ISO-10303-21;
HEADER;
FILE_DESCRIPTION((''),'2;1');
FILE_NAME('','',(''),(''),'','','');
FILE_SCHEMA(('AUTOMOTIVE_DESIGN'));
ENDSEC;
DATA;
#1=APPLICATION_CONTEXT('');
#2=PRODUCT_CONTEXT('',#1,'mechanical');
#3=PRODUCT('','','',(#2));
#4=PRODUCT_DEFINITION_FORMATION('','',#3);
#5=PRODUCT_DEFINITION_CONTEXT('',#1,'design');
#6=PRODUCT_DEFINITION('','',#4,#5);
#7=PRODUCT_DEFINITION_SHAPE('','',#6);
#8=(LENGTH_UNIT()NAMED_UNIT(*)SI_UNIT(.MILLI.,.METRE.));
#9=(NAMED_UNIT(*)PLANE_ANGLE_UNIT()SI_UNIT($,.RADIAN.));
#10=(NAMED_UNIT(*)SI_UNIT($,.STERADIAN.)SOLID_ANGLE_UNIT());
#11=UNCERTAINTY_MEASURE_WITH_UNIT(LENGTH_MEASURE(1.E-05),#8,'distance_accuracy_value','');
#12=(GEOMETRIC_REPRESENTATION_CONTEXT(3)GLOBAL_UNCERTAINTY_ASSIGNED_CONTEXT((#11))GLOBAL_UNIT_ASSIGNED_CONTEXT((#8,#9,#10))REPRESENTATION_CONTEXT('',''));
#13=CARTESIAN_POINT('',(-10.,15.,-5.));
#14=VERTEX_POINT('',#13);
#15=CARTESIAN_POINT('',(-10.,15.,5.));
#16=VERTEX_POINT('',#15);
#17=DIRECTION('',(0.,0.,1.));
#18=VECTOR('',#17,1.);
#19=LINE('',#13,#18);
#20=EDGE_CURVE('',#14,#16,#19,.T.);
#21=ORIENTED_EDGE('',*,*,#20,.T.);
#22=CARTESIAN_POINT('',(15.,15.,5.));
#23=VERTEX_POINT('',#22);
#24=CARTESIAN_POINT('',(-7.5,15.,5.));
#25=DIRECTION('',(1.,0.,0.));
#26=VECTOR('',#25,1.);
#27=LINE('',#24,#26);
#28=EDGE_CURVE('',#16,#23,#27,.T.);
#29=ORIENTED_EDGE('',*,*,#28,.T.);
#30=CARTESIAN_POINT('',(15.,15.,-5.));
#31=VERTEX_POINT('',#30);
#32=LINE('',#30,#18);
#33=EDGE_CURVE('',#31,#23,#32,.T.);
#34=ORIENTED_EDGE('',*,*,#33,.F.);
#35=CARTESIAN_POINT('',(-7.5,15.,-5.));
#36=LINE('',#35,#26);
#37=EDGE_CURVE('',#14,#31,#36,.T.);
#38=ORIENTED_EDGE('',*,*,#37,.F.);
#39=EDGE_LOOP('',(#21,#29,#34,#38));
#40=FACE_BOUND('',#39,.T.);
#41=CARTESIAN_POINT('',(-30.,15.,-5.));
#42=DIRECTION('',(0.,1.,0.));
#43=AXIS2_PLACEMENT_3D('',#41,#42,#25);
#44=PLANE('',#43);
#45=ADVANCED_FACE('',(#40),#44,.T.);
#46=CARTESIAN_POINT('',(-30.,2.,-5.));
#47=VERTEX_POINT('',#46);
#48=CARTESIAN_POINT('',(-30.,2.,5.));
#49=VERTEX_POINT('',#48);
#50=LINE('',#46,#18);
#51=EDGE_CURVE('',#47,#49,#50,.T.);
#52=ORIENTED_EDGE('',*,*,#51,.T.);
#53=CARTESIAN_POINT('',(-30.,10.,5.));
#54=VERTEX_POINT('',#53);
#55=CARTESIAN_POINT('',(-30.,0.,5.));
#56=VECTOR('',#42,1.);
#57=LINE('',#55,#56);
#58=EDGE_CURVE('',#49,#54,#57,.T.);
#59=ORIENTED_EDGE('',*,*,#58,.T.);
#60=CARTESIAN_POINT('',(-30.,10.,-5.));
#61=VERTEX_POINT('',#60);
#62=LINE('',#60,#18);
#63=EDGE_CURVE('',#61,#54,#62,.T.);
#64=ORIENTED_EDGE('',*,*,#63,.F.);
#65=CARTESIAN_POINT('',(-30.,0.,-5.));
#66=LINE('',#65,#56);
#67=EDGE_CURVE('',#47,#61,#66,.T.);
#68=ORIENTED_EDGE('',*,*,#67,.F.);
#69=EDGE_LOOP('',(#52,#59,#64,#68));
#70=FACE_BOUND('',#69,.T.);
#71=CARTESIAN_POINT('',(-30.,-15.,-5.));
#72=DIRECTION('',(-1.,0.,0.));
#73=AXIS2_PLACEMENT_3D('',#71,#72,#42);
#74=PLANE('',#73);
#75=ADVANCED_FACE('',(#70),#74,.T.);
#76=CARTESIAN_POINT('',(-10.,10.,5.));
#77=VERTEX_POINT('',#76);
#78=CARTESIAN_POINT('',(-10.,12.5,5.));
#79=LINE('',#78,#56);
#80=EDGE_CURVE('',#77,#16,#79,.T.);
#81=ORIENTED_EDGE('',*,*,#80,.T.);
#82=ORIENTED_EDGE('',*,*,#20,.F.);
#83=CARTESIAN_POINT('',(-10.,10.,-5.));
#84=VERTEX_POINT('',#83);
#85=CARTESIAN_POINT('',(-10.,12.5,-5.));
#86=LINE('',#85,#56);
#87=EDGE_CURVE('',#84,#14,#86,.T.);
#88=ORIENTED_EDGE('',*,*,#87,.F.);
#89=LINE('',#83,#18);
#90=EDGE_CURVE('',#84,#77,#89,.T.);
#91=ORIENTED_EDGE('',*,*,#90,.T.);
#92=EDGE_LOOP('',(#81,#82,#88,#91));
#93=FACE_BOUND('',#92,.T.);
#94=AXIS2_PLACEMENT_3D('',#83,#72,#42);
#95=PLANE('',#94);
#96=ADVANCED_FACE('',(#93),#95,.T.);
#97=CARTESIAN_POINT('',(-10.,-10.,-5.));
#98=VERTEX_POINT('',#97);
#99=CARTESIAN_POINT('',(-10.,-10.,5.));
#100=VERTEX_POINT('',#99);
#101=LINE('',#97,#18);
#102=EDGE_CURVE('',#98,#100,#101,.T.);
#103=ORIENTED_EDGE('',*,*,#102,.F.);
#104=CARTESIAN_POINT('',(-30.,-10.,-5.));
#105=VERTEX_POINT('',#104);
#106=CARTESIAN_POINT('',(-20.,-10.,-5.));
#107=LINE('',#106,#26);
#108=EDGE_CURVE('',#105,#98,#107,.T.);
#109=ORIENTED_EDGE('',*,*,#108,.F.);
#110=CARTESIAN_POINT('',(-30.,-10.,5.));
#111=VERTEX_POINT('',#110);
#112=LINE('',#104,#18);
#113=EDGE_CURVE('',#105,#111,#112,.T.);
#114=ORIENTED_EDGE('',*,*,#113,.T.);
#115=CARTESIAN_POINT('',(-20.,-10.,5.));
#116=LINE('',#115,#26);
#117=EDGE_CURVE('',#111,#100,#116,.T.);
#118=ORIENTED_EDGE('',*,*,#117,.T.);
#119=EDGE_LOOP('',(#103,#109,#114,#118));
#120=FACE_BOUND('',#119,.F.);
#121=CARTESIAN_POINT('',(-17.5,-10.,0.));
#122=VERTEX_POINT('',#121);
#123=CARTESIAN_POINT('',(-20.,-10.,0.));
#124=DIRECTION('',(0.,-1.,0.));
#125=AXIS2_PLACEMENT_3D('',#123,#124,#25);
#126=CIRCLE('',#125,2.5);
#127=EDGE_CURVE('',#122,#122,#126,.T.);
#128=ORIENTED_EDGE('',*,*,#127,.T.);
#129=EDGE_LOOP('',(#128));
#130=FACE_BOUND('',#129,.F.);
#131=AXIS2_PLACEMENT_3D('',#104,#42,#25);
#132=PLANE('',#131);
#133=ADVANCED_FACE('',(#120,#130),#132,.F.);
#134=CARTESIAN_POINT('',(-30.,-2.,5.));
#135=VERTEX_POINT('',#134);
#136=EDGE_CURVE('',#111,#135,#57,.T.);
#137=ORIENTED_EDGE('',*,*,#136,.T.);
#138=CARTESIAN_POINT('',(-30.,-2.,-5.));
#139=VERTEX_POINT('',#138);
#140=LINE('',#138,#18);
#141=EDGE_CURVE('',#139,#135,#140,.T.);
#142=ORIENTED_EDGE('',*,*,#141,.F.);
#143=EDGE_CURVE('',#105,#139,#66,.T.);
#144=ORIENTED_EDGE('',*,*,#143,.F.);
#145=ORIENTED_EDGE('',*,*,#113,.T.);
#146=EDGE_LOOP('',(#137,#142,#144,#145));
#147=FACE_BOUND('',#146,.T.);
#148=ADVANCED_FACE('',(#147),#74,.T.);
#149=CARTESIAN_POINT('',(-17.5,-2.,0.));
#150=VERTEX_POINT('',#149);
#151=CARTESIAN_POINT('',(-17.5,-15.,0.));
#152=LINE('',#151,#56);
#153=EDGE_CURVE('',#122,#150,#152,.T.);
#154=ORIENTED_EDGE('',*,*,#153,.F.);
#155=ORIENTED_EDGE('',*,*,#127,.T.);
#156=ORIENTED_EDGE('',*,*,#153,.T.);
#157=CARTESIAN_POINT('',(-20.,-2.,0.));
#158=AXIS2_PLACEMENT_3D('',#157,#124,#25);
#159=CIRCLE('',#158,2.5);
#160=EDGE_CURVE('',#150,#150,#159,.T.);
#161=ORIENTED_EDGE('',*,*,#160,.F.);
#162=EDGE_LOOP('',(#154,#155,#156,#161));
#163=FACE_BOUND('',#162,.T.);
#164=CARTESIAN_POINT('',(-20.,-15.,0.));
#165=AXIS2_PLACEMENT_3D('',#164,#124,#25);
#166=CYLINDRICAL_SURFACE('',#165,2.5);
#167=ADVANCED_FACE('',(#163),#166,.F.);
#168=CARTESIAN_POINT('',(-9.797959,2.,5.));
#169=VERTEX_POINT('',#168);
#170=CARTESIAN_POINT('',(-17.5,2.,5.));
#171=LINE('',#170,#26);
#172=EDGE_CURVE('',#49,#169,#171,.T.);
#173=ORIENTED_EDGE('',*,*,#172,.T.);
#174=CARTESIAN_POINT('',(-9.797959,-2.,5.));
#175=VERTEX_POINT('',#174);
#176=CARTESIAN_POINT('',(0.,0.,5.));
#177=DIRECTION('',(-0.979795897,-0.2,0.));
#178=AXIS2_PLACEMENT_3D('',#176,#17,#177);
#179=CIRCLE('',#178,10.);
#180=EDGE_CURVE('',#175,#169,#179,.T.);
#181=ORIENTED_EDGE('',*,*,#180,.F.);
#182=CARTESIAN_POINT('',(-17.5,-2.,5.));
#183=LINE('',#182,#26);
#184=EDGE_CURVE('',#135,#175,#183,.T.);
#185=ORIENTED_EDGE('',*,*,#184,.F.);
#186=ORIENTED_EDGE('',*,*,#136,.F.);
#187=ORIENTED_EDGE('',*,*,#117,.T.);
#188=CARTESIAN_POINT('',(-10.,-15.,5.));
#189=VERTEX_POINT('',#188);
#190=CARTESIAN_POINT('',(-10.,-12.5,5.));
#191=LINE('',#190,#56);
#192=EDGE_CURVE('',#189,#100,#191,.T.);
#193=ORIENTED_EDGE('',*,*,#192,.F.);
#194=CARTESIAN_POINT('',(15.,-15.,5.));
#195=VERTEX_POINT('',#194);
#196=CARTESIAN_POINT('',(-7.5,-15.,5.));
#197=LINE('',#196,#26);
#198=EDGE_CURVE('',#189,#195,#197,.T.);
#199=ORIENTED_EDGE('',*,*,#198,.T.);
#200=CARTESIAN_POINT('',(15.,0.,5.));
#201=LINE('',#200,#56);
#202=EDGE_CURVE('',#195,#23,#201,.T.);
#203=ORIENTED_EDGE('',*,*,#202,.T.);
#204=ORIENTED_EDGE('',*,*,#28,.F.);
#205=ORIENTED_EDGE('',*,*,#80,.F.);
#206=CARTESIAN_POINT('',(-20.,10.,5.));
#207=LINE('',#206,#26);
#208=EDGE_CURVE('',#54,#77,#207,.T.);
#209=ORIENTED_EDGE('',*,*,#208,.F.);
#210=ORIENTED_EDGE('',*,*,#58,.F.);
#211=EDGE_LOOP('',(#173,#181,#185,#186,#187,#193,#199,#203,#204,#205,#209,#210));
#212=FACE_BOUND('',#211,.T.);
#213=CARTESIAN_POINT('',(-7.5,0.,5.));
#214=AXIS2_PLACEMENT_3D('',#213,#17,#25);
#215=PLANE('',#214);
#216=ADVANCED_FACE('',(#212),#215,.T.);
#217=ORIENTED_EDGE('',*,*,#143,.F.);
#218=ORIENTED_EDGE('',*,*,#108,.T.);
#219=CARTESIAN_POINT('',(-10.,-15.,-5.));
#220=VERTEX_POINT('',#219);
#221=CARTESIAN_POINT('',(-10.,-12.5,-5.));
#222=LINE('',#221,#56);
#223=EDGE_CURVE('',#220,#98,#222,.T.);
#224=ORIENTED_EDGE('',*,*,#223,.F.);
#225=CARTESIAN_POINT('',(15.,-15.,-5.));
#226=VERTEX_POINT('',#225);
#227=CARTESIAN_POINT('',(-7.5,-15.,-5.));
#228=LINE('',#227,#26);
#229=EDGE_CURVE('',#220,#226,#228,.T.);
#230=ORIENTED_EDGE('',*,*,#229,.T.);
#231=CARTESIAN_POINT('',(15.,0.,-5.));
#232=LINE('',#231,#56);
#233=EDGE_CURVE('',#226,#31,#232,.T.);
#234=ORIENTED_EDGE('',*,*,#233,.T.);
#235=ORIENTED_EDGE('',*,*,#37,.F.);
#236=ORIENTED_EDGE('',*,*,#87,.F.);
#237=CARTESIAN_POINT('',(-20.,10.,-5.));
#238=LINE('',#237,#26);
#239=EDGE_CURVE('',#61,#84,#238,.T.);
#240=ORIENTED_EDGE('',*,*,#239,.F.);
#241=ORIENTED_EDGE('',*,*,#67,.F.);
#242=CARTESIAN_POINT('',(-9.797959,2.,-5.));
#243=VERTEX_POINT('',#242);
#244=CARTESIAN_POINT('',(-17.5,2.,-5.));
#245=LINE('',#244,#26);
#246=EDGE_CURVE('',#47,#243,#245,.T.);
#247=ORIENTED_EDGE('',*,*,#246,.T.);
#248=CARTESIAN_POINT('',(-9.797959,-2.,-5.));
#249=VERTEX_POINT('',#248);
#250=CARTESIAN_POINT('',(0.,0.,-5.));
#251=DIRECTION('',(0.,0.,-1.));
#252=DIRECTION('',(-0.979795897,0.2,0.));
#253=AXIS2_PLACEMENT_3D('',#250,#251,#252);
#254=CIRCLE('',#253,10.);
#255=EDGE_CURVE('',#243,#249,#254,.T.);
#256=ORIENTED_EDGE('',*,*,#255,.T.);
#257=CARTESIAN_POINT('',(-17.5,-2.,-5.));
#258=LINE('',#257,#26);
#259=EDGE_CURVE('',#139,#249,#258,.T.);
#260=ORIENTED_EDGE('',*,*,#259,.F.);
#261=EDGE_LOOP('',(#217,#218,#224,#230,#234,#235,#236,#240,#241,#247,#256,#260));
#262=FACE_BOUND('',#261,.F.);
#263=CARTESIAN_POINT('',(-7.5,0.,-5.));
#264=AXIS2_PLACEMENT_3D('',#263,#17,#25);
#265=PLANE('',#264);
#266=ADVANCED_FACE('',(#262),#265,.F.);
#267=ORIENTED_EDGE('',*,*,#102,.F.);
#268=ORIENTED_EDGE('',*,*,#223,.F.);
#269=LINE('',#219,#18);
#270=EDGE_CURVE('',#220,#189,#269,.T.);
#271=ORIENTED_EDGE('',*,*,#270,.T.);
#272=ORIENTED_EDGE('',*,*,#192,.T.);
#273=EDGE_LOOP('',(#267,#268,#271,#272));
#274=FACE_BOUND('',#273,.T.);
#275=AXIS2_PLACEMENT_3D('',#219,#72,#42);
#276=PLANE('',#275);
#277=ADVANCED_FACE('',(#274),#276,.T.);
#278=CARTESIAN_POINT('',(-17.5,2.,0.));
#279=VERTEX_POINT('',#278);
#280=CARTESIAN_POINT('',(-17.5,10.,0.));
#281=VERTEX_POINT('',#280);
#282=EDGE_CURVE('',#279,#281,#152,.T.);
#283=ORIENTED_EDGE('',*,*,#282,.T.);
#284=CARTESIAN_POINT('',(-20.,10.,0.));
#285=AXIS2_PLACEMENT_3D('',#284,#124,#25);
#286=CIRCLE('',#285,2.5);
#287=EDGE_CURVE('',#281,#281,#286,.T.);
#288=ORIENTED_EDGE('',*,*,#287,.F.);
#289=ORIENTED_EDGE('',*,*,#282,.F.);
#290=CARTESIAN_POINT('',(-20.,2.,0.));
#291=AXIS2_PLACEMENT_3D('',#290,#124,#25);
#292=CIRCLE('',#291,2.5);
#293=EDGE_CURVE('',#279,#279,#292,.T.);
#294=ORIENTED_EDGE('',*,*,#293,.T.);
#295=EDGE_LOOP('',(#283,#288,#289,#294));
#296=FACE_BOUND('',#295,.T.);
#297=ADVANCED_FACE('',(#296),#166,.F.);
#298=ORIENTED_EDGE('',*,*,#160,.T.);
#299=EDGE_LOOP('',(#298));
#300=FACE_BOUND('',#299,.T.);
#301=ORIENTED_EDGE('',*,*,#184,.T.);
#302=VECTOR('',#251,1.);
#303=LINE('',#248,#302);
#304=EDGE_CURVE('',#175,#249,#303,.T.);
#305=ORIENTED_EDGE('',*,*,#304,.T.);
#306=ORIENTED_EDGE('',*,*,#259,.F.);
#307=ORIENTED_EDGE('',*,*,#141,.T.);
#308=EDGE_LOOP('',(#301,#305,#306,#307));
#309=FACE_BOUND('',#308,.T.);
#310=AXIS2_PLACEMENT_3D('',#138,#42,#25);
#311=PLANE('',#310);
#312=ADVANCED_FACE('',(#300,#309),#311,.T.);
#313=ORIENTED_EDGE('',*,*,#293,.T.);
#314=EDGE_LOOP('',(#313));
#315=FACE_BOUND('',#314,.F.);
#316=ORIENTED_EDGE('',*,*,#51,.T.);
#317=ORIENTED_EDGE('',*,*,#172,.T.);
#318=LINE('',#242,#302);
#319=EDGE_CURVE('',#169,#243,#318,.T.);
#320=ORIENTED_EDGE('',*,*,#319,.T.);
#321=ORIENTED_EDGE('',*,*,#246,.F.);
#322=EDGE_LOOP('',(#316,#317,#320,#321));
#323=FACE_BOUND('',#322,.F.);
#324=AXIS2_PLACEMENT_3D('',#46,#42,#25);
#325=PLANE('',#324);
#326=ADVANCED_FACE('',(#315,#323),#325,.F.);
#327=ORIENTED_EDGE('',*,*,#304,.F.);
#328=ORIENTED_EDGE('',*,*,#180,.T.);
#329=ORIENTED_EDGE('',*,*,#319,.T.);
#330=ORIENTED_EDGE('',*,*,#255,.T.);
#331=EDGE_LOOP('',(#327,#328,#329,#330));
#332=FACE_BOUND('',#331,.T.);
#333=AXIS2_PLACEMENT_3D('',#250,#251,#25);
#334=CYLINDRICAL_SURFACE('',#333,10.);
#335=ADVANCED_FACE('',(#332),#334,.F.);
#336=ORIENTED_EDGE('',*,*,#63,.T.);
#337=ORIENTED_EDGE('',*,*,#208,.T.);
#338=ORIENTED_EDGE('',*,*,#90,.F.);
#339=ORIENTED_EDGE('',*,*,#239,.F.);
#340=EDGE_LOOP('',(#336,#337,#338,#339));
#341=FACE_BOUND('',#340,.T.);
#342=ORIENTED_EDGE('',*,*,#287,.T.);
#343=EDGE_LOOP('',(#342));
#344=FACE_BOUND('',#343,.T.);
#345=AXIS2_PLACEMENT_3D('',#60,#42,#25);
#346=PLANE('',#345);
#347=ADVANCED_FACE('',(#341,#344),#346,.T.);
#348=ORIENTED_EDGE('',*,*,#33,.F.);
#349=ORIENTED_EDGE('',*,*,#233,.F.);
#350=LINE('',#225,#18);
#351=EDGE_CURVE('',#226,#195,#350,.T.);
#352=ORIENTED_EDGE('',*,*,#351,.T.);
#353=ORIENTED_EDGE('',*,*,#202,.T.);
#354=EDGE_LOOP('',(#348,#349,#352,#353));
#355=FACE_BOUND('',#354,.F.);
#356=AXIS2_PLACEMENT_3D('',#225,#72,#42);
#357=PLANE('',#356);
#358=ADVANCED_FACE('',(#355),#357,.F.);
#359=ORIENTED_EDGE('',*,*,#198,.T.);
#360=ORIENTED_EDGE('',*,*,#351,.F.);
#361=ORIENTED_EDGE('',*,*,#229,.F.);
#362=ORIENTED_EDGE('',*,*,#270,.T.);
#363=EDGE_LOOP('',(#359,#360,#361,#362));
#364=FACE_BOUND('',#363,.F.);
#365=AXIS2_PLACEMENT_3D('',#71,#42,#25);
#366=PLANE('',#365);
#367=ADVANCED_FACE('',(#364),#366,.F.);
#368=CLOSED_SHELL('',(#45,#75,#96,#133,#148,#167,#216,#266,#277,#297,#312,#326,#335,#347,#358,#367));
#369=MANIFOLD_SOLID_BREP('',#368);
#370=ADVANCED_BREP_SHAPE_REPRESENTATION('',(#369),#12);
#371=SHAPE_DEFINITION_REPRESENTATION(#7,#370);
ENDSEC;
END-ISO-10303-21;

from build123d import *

# Parameters (mm, degrees)
CYLINDER001_R          = 2.5
CYLINDER001_DEPTH      = 30
CYLINDER001_ROLL_ANGLE = -90
BOX001_W               = 25
BOX001_H               = 4
BOX001_DEPTH           = 10
BOX002_W               = 20
BOX002_H               = 5
BOX002_DEPTH           = 10
BOX003_W               = 20
BOX003_H               = 5
BOX003_DEPTH           = 10
CYLINDER_R             = 10
CYLINDER_DEPTH         = 10
BOX_W                  = 45
BOX_H                  = 30
BOX_DEPTH              = 10


with BuildPart() as cylinder001:
    # Cylinder001 → Cylinder001 (new body)
    with BuildSketch(Plane.XY):
        Circle(CYLINDER001_R)
    extrude(amount=CYLINDER001_DEPTH)


with BuildPart() as cylinder001_1:
    # Cylinder001 roll: moved
    add(cylinder001.part.rotate(Axis((0, 0, 0), (1, 0, 0)), CYLINDER001_ROLL_ANGLE))


with BuildPart() as cylinder001_2:
    # Cylinder001 placement: moved
    add(cylinder001_1.part.moved(Location((-20, -15, 0))))


with BuildPart() as cube001:
    # Box001 → Box001 (new body)
    with BuildSketch(Plane(origin=(-30, -2, -5), x_dir=(1, 0, 0), z_dir=(0, 0, 1))):
        with Locations((12.5, 2)):
            Rectangle(BOX001_W, BOX001_H)
    extrude(amount=BOX001_DEPTH)


with BuildPart() as cube002:
    # Box002 → Box002 (new body)
    with BuildSketch(Plane(origin=(-30, -15, -5), x_dir=(1, 0, 0), z_dir=(0, 0, 1))):
        with Locations((10, 2.5)):
            Rectangle(BOX002_W, BOX002_H)
    extrude(amount=BOX002_DEPTH)


with BuildPart() as cube003:
    # Box003 → Box003 (new body)
    with BuildSketch(Plane(origin=(-30, 10, -5), x_dir=(1, 0, 0), z_dir=(0, 0, 1))):
        with Locations((10, 2.5)):
            Rectangle(BOX003_W, BOX003_H)
    extrude(amount=BOX003_DEPTH)


with BuildPart() as negative_fusion:
    # Cylinder → Cylinder (new body)
    with BuildSketch(Plane.XY.offset(-5)):
        Circle(CYLINDER_R)
    extrude(amount=CYLINDER_DEPTH)

    # Fusion: union Cylinder001, Cube001, Cube002, Cube003
    add(cylinder001_2.part)
    add(cube001.part)
    add(cube002.part)
    add(cube003.part)


with BuildPart() as cut:
    # Box → Box (new body)
    with BuildSketch(Plane(origin=(-30, -15, -5), x_dir=(1, 0, 0), z_dir=(0, 0, 1))):
        with Locations((22.5, 15)):
            Rectangle(BOX_W, BOX_H)
    extrude(amount=BOX_DEPTH)

    # Cut: cut Negative Fusion
    add(negative_fusion.part, mode=Mode.SUBTRACT)


solid = cut.part
